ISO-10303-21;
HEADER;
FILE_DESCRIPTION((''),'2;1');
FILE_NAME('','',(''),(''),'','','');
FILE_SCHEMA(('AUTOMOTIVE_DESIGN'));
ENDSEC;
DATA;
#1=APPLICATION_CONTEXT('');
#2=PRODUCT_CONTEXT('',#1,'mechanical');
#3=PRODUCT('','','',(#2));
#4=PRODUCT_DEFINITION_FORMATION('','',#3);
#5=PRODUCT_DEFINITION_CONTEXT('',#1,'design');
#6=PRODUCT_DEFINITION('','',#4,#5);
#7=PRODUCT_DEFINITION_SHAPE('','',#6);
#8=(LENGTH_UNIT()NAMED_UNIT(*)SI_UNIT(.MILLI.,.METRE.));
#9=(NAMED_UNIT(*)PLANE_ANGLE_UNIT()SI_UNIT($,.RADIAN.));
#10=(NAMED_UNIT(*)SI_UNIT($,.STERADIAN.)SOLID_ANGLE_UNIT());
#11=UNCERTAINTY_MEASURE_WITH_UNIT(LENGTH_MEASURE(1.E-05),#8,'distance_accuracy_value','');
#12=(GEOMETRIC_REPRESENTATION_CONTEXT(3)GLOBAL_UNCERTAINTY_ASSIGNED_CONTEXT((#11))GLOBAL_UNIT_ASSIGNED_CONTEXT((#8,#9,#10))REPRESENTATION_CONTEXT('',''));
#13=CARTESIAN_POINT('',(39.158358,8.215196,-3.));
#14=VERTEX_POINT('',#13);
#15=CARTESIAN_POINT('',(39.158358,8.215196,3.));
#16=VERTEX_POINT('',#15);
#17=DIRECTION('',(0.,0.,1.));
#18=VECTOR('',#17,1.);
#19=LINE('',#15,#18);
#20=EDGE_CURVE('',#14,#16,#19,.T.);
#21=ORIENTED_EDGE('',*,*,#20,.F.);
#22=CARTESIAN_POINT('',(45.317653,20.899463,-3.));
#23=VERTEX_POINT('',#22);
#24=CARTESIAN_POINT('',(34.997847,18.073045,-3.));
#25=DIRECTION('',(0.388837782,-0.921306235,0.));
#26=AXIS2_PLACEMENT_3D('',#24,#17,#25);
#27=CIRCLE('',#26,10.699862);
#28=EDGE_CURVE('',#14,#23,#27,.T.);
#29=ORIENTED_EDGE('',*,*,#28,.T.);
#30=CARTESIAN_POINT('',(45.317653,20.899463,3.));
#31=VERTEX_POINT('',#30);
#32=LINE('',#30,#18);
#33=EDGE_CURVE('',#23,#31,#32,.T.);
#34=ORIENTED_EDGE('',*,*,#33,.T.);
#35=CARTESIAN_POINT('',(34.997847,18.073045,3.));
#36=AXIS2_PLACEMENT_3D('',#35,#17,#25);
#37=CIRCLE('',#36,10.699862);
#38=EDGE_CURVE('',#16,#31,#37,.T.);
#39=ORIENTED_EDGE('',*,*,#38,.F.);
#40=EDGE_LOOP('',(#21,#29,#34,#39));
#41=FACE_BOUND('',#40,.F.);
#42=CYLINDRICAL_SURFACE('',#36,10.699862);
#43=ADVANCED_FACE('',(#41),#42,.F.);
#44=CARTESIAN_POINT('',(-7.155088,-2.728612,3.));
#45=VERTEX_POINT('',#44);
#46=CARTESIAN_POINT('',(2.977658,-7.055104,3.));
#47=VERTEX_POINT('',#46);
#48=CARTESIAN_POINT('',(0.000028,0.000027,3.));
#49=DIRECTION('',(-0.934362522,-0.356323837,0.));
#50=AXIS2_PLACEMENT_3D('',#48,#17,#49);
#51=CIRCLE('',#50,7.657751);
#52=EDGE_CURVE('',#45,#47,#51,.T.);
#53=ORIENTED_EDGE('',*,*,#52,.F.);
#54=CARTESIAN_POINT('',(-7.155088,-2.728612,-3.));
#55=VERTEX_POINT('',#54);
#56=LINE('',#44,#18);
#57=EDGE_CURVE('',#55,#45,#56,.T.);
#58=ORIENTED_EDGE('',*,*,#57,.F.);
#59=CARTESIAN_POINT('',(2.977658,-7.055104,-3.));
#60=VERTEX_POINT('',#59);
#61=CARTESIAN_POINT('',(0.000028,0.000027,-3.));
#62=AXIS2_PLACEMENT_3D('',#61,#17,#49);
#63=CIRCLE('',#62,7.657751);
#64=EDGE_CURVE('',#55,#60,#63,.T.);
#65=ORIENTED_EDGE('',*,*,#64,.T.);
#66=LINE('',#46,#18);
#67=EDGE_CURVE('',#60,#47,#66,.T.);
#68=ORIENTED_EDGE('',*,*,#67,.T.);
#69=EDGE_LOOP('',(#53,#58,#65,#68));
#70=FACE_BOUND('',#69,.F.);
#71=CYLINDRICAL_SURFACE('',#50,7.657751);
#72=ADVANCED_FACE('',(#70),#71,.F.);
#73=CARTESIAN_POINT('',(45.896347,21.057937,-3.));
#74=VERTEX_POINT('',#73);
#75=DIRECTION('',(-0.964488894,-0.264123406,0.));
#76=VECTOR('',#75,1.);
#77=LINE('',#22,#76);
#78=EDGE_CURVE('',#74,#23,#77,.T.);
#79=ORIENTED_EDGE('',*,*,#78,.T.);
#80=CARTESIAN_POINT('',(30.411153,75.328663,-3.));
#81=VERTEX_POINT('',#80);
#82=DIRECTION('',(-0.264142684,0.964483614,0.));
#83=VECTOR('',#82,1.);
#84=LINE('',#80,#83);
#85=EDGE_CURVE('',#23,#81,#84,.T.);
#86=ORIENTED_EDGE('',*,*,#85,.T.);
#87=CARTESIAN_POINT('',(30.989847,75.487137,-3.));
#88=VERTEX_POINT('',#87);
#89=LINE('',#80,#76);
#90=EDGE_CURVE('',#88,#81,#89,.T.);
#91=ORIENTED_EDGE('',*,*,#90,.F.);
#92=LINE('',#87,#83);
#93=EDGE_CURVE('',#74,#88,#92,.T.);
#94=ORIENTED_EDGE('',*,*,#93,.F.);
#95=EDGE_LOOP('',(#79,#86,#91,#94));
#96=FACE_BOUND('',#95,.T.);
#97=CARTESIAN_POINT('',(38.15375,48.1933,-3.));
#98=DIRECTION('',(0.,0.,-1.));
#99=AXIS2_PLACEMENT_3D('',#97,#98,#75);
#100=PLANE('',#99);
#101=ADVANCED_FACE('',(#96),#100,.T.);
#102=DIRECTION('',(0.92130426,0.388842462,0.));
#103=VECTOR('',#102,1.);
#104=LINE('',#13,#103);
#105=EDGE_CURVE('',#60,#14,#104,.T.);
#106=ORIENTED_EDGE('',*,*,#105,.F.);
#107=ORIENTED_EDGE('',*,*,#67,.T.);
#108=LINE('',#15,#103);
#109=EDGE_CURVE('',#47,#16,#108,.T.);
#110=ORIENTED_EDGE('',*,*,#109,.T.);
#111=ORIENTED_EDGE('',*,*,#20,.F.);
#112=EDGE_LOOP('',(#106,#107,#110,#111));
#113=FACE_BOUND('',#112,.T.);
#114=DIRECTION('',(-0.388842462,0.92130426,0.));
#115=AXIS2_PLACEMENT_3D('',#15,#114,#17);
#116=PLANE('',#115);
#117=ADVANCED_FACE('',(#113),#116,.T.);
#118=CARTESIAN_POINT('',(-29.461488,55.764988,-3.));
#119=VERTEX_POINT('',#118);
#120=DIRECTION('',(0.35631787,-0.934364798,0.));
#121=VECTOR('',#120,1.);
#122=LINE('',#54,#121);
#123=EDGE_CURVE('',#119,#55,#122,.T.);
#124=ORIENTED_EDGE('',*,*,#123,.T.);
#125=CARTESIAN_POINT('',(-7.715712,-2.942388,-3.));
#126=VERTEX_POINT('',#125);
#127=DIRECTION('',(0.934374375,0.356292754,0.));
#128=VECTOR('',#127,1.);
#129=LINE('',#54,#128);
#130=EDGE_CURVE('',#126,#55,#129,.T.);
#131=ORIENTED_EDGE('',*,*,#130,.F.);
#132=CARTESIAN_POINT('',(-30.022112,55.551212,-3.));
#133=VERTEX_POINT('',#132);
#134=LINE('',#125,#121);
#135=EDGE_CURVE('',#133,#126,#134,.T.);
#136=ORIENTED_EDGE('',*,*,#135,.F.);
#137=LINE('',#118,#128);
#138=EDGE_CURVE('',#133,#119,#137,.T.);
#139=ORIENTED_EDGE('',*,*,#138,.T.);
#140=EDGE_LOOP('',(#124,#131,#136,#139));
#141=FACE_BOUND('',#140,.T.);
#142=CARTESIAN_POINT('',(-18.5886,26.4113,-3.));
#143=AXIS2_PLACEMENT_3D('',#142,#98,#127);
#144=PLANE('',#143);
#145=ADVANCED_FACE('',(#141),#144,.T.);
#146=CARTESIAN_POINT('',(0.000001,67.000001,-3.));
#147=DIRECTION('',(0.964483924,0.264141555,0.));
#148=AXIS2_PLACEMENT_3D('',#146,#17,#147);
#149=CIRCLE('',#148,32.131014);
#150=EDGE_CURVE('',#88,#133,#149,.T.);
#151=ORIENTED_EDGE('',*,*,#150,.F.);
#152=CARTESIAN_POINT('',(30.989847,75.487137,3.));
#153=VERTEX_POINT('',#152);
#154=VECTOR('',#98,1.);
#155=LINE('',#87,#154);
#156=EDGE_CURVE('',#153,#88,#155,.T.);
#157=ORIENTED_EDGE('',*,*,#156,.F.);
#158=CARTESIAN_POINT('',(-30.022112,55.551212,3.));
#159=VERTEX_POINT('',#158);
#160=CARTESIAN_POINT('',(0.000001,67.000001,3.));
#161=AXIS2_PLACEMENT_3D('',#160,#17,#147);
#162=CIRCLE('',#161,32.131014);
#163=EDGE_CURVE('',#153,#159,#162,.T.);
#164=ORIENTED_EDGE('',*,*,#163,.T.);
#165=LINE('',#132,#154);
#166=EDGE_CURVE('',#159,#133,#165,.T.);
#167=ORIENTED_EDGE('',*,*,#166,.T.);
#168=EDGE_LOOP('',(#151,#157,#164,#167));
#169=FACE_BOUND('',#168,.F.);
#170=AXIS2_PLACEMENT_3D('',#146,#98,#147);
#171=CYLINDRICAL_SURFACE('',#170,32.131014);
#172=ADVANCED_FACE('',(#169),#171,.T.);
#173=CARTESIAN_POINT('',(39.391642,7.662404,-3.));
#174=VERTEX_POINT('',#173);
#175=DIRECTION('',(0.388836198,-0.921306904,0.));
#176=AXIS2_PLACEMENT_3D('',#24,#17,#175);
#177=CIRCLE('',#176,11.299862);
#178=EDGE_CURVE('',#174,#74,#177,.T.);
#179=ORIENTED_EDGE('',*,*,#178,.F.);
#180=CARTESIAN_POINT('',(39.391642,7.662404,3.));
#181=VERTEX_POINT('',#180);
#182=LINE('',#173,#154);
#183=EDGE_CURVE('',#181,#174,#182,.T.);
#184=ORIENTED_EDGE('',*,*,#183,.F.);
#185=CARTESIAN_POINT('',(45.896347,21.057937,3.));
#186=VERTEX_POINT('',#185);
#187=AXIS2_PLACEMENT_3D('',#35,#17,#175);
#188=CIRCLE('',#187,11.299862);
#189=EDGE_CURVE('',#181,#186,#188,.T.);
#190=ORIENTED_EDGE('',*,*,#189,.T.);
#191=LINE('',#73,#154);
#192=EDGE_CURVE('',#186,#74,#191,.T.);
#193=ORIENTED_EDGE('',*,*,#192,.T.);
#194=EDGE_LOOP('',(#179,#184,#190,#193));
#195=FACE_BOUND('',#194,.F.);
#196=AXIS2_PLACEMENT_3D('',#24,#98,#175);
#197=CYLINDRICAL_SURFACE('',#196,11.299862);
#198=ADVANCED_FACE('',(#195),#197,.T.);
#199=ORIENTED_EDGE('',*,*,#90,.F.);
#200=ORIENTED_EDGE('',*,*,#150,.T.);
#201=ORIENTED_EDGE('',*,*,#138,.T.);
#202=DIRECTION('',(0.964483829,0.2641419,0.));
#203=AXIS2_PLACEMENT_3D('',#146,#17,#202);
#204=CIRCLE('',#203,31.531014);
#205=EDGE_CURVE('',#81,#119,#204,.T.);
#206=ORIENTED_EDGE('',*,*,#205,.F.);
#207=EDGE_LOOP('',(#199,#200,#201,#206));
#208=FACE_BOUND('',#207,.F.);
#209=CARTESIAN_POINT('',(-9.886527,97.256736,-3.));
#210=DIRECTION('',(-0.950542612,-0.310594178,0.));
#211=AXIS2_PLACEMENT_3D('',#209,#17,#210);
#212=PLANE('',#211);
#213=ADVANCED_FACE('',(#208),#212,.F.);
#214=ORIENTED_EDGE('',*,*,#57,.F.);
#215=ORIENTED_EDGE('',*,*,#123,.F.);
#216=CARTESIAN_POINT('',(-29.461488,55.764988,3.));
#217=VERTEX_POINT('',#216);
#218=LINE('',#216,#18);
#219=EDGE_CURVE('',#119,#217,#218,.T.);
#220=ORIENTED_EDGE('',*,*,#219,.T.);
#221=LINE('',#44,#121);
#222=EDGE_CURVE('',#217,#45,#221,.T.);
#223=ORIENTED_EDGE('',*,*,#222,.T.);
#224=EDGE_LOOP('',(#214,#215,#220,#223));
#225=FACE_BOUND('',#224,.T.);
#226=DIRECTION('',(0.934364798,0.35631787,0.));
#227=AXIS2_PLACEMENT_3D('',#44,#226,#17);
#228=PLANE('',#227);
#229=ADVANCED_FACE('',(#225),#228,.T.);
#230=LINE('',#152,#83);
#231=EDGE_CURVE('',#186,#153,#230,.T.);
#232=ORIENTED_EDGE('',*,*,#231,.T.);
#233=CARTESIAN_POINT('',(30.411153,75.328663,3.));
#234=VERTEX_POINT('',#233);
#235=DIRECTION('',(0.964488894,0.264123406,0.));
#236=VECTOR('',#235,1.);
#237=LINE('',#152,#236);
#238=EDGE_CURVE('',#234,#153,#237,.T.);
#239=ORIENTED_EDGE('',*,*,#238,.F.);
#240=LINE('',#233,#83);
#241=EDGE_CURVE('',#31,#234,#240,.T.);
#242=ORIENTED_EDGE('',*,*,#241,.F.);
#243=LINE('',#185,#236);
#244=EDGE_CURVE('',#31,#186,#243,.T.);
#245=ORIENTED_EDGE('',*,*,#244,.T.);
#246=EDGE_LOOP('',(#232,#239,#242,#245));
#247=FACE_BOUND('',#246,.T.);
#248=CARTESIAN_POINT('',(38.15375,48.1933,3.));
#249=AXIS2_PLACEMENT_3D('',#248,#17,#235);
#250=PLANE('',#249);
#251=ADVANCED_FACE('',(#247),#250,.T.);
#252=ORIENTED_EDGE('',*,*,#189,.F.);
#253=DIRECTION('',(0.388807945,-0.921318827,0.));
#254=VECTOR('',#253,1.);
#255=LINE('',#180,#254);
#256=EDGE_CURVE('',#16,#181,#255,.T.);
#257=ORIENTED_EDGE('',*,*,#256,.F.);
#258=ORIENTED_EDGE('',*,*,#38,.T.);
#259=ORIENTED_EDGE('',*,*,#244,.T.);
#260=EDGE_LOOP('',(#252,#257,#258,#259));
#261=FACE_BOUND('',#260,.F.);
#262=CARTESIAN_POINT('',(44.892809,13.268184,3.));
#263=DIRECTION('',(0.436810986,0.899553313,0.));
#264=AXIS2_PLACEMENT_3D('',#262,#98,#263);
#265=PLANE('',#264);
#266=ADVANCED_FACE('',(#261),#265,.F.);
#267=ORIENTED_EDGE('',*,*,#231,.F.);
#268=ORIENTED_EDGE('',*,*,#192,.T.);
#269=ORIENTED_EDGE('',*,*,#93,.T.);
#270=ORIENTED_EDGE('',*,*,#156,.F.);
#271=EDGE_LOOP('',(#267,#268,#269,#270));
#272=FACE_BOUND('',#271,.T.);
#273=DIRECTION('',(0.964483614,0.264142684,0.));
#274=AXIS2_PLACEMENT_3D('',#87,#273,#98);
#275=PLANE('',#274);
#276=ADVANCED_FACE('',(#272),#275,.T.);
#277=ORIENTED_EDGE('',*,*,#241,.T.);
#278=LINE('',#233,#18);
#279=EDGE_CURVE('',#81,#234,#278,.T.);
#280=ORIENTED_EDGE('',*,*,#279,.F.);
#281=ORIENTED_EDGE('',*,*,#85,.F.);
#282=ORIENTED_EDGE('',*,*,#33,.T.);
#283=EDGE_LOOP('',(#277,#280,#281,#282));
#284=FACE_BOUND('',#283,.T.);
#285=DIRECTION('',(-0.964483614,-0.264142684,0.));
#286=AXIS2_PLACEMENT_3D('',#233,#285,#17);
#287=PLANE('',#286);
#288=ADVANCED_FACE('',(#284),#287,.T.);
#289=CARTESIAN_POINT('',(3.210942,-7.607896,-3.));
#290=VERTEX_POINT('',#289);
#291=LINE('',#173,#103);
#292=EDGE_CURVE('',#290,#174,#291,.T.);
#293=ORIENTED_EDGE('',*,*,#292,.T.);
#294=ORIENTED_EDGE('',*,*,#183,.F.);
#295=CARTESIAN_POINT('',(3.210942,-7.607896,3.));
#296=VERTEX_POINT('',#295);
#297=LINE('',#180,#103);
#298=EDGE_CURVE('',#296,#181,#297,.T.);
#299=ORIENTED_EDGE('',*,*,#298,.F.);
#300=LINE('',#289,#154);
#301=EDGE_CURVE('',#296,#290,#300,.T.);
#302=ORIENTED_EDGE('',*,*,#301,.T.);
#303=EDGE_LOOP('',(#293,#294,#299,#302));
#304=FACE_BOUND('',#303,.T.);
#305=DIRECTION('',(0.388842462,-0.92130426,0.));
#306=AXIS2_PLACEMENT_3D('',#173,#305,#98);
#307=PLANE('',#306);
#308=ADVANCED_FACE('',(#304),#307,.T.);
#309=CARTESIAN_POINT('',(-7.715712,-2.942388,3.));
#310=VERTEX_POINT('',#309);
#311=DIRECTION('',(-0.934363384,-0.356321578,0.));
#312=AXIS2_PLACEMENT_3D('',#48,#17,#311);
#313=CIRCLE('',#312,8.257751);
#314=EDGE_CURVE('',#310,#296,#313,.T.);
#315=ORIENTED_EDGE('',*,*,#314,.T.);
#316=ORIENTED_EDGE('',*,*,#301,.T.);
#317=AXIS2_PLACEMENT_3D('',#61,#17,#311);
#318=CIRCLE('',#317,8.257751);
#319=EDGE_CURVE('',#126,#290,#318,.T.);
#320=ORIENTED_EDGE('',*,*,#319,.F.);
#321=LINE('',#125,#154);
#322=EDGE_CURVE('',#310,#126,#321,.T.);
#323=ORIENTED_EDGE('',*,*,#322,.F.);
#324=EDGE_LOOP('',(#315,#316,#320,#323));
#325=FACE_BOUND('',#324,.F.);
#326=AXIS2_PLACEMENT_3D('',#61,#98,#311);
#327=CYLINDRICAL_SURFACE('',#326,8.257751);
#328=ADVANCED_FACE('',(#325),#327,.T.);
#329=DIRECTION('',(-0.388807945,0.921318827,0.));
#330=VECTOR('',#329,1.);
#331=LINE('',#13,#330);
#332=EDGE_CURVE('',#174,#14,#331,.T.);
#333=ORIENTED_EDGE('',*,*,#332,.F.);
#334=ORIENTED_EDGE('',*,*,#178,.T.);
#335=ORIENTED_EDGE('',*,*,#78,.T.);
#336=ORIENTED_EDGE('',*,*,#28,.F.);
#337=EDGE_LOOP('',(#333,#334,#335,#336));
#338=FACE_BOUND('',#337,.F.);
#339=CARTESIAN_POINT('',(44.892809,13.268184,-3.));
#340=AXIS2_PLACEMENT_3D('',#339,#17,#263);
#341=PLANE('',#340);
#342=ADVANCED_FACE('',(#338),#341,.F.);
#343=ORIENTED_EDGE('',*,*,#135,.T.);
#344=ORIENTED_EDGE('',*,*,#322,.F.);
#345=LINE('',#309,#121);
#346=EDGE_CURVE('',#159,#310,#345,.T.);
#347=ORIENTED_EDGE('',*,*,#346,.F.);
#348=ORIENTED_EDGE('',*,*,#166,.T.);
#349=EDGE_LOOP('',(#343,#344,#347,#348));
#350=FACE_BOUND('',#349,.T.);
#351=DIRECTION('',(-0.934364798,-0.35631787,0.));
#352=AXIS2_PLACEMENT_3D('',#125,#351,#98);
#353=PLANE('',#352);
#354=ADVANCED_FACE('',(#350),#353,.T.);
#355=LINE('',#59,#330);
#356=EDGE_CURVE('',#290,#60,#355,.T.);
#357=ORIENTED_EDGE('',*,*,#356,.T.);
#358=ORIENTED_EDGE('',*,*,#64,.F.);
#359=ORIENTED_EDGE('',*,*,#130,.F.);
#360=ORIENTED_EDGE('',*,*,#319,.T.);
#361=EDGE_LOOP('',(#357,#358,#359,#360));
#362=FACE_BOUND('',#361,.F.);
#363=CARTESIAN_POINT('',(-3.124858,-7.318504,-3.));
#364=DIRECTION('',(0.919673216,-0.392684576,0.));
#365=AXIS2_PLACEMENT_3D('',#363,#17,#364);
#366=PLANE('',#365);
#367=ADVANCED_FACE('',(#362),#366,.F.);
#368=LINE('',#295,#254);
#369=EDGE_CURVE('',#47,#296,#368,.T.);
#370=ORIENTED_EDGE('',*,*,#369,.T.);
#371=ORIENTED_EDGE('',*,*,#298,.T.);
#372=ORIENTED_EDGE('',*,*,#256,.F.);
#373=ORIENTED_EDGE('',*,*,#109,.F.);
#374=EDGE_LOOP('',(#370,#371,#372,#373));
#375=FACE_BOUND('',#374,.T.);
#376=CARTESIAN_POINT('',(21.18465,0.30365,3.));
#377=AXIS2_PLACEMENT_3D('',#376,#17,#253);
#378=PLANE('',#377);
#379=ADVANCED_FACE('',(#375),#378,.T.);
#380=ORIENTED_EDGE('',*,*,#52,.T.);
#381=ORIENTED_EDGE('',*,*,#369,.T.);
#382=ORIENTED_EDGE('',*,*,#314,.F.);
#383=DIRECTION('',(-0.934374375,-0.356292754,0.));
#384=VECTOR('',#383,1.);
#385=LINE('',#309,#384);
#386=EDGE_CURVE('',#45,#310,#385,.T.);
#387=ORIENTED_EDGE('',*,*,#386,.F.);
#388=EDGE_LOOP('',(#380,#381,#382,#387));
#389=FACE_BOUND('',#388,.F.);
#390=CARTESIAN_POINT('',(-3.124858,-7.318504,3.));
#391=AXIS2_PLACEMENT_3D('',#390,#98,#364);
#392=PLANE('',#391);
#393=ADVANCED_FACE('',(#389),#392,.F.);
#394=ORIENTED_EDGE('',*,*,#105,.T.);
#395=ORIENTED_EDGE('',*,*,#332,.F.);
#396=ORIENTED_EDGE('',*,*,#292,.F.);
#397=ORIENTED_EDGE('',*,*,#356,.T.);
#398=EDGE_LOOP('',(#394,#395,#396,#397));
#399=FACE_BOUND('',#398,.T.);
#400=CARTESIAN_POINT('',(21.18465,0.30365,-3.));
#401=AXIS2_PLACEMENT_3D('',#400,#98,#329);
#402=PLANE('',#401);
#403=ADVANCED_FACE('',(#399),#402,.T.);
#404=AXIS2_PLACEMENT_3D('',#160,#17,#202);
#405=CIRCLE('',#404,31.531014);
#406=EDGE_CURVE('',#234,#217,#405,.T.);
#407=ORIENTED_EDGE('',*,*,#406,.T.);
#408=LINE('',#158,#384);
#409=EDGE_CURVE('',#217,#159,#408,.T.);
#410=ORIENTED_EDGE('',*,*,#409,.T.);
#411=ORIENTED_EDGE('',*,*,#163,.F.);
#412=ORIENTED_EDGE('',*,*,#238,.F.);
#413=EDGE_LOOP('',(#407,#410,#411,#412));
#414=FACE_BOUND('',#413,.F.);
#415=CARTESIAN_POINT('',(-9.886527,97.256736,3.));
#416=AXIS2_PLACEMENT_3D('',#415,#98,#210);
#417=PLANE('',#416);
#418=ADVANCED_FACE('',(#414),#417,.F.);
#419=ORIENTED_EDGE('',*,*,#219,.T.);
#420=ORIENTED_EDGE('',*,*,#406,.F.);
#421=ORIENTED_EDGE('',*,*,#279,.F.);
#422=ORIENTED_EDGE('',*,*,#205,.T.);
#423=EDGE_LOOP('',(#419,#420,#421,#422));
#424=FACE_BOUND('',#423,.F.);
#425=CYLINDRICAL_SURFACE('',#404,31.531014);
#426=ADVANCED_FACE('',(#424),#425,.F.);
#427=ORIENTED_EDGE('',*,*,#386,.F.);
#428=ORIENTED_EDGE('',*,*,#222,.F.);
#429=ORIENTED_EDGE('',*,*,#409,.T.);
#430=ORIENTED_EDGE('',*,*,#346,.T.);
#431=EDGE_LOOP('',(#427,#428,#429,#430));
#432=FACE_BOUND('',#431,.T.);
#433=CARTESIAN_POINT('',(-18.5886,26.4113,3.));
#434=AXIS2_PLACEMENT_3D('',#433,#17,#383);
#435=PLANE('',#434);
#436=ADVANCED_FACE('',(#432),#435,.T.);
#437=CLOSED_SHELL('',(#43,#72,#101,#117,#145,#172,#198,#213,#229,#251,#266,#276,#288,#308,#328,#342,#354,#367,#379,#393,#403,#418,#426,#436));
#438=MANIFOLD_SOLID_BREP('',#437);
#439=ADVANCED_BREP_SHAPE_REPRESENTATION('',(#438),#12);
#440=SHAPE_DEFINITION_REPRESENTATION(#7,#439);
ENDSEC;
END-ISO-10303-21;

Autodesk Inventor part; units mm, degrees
sketch "Sketch Path" plane through (0, 0, 0) normal (0, 0, 1) x (1, 0, 0)
  arc A0 (-7.4354, -2.8355) -> (3.0943, -7.3315) centre (0, 0) ccw
  arc A1 (30.7005, 75.4079) -> (-29.7418, 55.6581) centre (0, 67) ccw
  arc A2 (39.275, 7.9388) -> (45.607, 20.9787) centre (34.9977, 18.0732) ccw
  line L0 (39.275, 7.9388) -> (3.0943, -7.3315)
  line L1 (-7.4354, -2.8355) -> (-29.7418, 55.6581)
  line L2 (30.7005, 75.4079) -> (45.607, 20.9787)
ref_plane "Cross Section Plane" through (3.0943, -7.3315, 0) normal (0.9213, 0.3888, 0) x (0, 0, 1)
ref_plane "Work Plane2" through (0, 0, 0) normal (-1, 0, 0) x (0, 0, 1)
ref_plane "Work Plane3" through (0, 67, 0) normal (0.3476, -0.9376, 0) x (0, 0, 1)
sketch "Cross Section" plane through (3.0943, -7.3315, 0) normal (0.9213, 0.3888, 0) x (0, 0, 1)
  line L0 (-3, 0.3) -> (3, 0.3)
  line L1 (3, 0.3) -> (3, -0.3)
  line L2 (3, -0.3) -> (-3, -0.3)
  line L3 (-3, -0.3) -> (-3, 0.3)
  line L4 (-3, 0) -> (3, 0) construction
  point P0 (0, 0)
  point P1 (0, 0)
  dimension "d0" = 6
  dimension "d4" = 0.3
  dimension "d5" = 0.3
sweep "Belt" add profiles "Cross Section" path "Sketch Path"
equation "\"d0\" = da_B"
equation "\"d4\" = da_a"
equation "\"d5\" = da_a2"
equation "\"da_B\" = 6"
equation "\"da_pb\" = 2.5"
equation "\"da_a\" = 0.3"
equation "\"da_S\" = 1.5"
equation "\"da_Beta\" = 20deg"
equation "\"da_Ht\" = 0.7"
equation "\"da_H\" = 1.3"
equation "\"da_a2\" = 0.3"
properties part number "Synchronous Belt" material "Rubber"
